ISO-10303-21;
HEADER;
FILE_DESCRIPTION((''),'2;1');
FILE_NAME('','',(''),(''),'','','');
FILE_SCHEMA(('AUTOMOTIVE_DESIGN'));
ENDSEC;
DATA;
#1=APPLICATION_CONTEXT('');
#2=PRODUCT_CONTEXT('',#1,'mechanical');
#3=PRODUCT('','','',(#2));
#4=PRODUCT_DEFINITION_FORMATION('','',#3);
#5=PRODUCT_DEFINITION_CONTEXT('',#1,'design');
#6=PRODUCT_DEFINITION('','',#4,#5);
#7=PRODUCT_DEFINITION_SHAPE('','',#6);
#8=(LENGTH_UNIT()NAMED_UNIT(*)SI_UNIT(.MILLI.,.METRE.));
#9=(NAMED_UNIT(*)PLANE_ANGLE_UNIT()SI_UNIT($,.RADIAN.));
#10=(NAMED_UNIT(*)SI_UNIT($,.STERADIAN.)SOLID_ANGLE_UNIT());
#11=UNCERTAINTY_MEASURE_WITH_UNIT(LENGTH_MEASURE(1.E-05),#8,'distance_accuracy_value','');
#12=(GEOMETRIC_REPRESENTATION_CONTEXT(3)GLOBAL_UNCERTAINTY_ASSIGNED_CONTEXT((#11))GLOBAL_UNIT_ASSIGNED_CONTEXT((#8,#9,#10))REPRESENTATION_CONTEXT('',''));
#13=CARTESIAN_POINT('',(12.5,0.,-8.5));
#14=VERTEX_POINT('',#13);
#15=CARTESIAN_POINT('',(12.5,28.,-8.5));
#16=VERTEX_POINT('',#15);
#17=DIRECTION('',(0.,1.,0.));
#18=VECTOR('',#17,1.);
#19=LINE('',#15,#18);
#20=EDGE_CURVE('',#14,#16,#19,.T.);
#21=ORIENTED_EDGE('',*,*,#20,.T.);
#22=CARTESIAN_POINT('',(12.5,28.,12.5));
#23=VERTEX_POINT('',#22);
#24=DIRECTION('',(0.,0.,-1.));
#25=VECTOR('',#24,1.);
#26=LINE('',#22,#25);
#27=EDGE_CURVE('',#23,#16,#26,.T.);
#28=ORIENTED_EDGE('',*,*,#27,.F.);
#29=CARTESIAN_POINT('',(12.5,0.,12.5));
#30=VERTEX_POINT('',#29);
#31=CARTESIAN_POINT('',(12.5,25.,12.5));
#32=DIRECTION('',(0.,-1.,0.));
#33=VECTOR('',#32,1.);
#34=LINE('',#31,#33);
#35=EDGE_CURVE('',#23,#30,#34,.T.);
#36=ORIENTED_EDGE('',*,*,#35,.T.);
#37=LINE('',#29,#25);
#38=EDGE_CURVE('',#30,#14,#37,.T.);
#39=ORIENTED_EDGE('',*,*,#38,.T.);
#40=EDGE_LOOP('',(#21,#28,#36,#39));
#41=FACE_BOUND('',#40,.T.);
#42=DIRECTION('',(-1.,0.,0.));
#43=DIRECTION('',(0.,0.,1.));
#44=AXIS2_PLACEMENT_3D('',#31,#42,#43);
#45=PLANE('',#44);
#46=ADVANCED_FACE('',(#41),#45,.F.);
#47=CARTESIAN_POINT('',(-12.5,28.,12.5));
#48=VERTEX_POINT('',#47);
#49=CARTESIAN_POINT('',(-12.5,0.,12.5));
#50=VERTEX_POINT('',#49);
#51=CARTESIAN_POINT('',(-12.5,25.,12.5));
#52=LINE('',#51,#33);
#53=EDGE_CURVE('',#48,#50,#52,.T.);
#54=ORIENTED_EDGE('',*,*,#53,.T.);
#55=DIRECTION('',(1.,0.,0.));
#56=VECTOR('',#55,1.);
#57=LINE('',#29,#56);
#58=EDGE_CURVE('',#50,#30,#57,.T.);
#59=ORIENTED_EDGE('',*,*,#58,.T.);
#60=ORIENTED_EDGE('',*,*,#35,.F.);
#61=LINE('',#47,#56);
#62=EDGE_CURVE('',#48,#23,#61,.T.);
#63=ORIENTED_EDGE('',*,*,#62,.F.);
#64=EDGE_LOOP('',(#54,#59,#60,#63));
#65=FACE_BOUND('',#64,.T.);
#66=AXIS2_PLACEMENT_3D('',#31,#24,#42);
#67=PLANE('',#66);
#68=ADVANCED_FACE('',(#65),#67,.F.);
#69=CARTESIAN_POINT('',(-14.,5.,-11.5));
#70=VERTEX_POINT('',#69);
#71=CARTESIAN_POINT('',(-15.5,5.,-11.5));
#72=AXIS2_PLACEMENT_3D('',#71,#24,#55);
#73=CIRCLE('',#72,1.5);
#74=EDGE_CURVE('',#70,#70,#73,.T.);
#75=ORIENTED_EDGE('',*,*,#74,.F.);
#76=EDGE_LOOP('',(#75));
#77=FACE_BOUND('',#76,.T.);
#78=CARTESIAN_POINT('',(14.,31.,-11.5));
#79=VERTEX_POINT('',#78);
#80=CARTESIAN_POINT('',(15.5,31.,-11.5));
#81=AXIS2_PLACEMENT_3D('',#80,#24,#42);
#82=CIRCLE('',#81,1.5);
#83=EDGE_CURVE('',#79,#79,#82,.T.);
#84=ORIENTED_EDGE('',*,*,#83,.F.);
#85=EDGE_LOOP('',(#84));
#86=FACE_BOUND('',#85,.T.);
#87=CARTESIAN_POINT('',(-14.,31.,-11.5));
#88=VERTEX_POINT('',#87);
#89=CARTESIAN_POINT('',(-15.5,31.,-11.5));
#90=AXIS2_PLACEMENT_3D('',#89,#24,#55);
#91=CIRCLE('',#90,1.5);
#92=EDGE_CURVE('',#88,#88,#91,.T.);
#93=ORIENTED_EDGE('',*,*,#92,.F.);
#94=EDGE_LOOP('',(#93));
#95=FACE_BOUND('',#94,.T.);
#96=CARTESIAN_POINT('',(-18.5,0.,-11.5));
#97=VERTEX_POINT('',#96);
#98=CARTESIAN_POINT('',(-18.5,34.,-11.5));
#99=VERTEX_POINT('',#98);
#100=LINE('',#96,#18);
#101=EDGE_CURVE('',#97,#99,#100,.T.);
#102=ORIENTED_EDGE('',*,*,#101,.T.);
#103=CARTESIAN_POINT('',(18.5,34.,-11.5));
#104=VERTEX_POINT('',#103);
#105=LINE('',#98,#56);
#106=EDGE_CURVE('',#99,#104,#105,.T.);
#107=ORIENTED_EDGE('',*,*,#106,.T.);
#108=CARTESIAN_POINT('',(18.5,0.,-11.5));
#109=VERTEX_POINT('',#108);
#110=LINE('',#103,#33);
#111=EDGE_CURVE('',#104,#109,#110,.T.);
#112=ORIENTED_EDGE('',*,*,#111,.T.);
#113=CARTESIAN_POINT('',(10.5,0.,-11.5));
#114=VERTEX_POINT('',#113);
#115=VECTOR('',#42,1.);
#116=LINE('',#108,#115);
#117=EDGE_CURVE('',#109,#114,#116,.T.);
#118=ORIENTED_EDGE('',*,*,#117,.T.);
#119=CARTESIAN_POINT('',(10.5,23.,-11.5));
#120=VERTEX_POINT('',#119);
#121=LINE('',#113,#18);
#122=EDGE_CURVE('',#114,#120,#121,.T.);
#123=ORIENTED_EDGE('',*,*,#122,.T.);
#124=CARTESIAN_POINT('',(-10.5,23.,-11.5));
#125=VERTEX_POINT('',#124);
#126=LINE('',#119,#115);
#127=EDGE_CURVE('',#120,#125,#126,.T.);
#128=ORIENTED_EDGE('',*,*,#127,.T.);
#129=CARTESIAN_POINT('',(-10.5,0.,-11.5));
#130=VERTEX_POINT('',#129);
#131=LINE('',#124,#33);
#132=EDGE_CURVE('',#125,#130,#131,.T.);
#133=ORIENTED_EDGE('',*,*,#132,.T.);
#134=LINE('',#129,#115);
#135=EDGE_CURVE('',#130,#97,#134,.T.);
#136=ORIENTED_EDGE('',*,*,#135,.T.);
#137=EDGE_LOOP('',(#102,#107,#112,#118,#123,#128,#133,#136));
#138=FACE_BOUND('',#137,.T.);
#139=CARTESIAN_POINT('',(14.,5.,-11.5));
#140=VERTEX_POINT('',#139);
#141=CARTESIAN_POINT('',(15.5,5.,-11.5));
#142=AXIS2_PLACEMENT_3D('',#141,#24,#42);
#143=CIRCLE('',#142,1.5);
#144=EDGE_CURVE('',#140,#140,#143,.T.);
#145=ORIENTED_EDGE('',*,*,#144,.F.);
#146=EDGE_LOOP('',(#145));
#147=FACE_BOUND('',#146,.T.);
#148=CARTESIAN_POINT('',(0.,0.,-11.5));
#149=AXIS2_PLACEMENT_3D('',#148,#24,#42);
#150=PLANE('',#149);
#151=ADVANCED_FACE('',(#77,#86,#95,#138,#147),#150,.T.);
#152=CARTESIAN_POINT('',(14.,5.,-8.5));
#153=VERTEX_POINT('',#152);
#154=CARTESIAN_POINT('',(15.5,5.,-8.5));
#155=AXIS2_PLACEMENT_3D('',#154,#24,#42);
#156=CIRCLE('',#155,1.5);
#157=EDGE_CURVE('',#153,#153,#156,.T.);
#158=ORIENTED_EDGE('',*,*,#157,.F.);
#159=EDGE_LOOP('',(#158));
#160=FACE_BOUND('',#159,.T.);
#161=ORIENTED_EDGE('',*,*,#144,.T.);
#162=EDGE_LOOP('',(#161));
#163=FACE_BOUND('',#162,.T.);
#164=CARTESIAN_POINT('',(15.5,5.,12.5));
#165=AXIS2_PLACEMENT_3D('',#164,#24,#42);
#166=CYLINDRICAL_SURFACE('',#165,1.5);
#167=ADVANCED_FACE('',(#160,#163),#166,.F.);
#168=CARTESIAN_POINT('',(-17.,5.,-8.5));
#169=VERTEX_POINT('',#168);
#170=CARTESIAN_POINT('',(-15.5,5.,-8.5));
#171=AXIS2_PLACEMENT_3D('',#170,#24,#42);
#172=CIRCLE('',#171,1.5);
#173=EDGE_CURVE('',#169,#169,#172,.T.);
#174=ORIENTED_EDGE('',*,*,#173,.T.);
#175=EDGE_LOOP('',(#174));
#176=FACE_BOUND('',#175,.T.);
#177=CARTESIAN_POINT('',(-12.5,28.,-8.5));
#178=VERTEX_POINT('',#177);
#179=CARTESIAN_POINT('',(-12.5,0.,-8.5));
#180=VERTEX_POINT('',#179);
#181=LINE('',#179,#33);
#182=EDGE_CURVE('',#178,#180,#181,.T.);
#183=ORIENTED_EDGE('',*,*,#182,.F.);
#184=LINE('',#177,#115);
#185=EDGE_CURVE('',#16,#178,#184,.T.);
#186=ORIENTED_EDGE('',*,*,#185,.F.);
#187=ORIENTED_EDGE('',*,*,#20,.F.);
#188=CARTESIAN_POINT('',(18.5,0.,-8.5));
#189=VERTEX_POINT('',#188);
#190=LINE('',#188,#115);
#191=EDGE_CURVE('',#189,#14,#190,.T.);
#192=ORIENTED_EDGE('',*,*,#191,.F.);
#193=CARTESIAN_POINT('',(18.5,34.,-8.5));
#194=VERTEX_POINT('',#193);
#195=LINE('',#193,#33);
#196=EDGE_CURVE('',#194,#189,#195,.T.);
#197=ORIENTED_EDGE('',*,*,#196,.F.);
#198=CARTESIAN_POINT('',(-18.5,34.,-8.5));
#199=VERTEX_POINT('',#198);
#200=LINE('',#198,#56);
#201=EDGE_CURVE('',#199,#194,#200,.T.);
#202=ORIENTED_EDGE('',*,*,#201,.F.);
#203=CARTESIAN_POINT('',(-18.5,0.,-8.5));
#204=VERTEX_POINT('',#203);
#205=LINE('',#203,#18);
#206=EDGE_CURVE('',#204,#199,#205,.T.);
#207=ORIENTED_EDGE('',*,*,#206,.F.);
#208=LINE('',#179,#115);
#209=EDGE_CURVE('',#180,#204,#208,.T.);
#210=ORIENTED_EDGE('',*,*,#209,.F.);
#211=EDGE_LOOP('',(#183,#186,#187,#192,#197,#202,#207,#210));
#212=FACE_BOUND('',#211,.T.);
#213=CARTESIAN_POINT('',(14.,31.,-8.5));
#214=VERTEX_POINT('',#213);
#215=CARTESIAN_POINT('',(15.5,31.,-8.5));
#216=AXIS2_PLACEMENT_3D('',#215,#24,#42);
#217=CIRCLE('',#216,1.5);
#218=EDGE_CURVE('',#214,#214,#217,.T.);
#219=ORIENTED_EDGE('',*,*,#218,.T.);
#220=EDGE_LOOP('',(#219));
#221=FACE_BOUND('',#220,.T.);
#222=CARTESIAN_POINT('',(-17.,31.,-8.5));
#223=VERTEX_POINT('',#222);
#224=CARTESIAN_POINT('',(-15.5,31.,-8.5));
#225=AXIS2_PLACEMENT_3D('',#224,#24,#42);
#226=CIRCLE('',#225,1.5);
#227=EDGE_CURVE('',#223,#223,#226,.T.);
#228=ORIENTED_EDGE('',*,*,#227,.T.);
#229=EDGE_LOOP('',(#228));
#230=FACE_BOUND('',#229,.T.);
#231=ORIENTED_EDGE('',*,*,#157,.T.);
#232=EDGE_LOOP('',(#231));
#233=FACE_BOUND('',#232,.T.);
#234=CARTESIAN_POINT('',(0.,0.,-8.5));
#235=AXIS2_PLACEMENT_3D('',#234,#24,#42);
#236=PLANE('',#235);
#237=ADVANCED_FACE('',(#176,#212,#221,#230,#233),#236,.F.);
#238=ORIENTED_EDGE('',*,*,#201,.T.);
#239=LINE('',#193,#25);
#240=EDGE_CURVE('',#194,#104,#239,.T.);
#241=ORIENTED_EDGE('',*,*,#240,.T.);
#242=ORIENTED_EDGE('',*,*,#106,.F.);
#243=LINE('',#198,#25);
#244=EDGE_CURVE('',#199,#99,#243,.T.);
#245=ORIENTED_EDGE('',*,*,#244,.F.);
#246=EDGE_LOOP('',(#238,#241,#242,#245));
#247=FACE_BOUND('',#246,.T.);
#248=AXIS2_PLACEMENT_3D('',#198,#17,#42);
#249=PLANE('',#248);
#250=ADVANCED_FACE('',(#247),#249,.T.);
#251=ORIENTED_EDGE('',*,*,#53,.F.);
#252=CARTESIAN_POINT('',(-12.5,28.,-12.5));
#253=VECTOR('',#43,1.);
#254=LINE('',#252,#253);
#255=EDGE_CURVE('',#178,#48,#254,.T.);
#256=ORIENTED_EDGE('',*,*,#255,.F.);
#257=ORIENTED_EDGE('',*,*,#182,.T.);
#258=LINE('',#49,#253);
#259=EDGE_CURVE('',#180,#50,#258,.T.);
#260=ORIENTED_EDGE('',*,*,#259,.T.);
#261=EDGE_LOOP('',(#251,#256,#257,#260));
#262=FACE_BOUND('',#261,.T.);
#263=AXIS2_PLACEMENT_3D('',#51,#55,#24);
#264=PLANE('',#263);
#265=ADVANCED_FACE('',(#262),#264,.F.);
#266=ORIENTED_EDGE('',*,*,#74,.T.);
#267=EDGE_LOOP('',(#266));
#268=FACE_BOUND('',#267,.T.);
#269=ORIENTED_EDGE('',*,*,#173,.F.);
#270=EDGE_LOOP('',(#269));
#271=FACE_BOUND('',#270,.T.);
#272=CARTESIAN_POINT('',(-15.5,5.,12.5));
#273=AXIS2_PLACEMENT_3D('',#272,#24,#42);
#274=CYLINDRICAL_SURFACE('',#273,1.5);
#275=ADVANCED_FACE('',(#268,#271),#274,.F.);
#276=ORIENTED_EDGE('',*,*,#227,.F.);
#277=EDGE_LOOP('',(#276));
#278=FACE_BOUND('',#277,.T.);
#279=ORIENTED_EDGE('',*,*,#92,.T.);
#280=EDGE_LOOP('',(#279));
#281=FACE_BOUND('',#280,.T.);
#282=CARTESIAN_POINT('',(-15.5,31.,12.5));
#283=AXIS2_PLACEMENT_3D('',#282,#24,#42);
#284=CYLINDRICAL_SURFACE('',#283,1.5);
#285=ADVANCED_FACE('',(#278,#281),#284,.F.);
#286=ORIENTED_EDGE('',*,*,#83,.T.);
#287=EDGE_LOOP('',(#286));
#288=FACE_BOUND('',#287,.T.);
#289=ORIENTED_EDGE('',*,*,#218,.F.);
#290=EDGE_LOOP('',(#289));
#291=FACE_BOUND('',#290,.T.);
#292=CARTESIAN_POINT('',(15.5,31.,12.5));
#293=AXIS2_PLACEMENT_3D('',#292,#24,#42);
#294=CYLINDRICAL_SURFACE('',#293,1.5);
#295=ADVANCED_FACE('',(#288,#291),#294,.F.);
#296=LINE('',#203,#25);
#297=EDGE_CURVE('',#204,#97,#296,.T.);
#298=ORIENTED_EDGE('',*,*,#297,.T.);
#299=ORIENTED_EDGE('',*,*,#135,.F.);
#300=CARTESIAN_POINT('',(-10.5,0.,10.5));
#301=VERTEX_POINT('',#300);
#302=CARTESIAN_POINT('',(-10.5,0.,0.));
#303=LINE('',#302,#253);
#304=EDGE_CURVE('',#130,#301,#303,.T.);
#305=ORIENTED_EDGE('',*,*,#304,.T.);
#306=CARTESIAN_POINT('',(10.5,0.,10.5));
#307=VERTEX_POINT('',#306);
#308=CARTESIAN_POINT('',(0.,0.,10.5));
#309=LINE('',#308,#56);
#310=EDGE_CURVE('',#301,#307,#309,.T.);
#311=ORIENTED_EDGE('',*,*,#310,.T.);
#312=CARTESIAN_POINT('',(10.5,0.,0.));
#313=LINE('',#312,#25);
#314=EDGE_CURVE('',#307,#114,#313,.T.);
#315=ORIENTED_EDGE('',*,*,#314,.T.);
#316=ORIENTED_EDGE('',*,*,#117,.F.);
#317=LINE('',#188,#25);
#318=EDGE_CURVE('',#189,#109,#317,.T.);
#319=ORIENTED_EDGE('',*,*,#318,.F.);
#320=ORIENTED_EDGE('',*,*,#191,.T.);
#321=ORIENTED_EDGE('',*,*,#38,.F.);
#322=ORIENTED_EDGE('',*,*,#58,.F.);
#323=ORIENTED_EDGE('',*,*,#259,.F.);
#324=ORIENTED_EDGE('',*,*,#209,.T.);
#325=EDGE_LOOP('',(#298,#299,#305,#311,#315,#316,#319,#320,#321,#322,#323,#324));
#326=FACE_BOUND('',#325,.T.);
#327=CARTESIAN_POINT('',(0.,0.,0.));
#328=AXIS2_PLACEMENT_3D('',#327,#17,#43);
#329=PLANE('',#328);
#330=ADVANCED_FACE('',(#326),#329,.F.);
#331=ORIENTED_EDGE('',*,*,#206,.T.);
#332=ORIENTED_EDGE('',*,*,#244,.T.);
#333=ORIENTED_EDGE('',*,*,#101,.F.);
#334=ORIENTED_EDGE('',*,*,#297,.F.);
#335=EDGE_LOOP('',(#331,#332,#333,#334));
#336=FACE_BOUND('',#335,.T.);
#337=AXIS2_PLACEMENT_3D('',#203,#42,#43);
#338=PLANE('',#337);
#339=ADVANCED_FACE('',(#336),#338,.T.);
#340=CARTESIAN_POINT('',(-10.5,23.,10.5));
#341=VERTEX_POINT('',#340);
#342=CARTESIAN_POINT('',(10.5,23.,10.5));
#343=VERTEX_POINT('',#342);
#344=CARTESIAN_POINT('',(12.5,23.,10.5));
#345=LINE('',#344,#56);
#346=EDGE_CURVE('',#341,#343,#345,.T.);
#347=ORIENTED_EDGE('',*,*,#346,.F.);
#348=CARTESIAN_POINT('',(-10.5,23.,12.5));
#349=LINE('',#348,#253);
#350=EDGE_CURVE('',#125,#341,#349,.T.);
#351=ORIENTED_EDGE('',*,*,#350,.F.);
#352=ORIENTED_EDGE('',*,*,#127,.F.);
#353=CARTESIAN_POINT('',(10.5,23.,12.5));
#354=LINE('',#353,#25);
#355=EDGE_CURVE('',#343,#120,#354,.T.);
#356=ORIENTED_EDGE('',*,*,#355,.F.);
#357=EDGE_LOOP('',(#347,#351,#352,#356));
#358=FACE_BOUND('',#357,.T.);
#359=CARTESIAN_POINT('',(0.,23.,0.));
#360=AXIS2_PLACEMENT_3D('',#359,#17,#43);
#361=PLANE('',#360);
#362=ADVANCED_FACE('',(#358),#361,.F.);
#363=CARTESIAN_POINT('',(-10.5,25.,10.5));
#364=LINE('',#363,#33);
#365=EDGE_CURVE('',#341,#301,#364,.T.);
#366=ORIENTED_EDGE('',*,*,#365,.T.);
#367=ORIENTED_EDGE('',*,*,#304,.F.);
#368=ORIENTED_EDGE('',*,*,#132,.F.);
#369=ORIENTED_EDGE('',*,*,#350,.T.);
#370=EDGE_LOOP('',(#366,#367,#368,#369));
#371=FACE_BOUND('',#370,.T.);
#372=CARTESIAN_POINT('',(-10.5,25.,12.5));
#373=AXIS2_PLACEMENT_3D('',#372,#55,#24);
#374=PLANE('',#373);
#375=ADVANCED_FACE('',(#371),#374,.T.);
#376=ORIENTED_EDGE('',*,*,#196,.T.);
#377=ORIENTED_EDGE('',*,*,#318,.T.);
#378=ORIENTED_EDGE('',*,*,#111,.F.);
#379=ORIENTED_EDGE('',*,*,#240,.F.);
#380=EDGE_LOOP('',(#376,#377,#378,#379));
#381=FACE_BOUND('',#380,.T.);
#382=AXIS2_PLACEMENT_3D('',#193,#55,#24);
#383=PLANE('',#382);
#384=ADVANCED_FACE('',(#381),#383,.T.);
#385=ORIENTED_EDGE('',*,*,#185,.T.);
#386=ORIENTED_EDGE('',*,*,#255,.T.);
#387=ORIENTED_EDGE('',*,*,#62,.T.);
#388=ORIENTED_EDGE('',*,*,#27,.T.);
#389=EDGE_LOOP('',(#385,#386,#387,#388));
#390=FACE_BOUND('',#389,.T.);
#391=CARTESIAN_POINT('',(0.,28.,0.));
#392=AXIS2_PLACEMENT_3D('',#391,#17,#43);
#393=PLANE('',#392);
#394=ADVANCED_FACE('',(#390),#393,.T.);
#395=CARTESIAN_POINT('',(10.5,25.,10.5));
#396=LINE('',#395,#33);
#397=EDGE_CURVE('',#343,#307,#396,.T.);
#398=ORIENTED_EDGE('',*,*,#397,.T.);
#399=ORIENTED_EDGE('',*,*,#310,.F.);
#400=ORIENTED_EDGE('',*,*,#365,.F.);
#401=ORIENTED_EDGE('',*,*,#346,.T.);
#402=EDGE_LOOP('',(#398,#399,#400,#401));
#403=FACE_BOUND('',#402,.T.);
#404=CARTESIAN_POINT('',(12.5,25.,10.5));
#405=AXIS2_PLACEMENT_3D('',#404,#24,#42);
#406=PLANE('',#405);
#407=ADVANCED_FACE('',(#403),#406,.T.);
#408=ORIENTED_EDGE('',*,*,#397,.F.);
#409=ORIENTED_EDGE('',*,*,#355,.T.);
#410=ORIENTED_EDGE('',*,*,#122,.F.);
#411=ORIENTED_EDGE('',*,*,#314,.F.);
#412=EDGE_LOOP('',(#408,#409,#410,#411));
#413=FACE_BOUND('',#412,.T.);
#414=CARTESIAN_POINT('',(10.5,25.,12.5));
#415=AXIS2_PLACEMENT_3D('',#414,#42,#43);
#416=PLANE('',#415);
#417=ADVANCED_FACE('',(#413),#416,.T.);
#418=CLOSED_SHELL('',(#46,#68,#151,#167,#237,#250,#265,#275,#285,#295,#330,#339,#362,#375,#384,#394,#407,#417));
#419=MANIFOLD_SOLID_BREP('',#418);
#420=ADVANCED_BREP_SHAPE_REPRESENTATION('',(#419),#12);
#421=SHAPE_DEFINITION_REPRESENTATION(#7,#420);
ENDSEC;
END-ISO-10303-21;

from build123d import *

# Parameters (mm, degrees)
SKETCH_1_W          = 25
SKETCH_1_H          = 25
EXTRUDE_1_DEPTH     = 25
SHELL_2_T           = -2
SKETCH_2_W          = 21
SKETCH_2_H          = 23
CUT_EXTRUDE_1_DEPTH = 25
SKETCH_3_W          = 25
SKETCH_3_H          = 25
EXTRUDE_2_DEPTH     = 3
EXTRUDE_3_DEPTH     = 4
CUT_EXTRUDE_2_DEPTH = 1
SKETCH_7_R          = 1.5
CUT_EXTRUDE_3_DEPTH = 46.543934832


with BuildPart() as part:
    # 草图1 → 凸台-拉伸1 (new body)
    with BuildSketch(Plane(origin=(0, 0, 0), x_dir=(1, 0, 0), z_dir=(0, 1, 0))):
        Rectangle(SKETCH_1_W, SKETCH_1_H)
    extrude(amount=EXTRUDE_1_DEPTH)

    # 抽壳2
    shell_2_openings = [part.faces().sort_by_distance(p)[0] for p in [
        (0, 12.5, -12.5),
    ]]
    offset(amount=SHELL_2_T, openings=shell_2_openings, kind=Kind.INTERSECTION)

    # 草图2 → 切除-拉伸1 (cut)
    with BuildSketch(Plane(origin=(0, 2, 0), x_dir=(1, 0, 0), z_dir=(0, 1, 0))):
        with Locations((0, 1)):
            Rectangle(SKETCH_2_W, SKETCH_2_H)
    extrude(amount=-CUT_EXTRUDE_1_DEPTH, mode=Mode.SUBTRACT)

    # 草图3 → 凸台-拉伸2 (add)
    with BuildSketch(Plane(origin=(0, 25, 0), x_dir=(1, 0, 0), z_dir=(0, 1, 0))):
        Rectangle(SKETCH_3_W, SKETCH_3_H)
    extrude(amount=EXTRUDE_2_DEPTH)

    # 草图5 → 凸台-拉伸3 (add)
    with BuildSketch(Plane(origin=(0, 0, -12.5), x_dir=(-1, 0, 0), z_dir=(0, 0, -1))):
        Polygon((18.5, 0), (18.5, 34), (-18.5, 34), (-18.5, 0), (-12.5, 0), (-12.5, 28), (12.5, 28), (12.5, 0), align=None)
    extrude(amount=-EXTRUDE_3_DEPTH)

    # 草图6 → 切除-拉伸2 (cut)
    with BuildSketch(Plane(origin=(0, 0, -12.5), x_dir=(-1, 0, 0), z_dir=(0, 0, -1))):
        Polygon((10.5, 0), (18.5, 0), (18.5, 34), (-18.5, 34), (-18.5, 0), (-10.5, 0), (-10.5, 23), (10.5, 23), align=None)
    extrude(amount=-CUT_EXTRUDE_2_DEPTH, mode=Mode.SUBTRACT)

    # 草图7 → 切除-拉伸3 (cut, through all)
    with BuildSketch(Plane(origin=(0, 0, -11.5), x_dir=(-1, 0, 0), z_dir=(0, 0, -1))):
        with Locations((-15.5, 5)):
            Circle(SKETCH_7_R)
        with Locations((-15.5, 31)):
            Circle(SKETCH_7_R)
        with Locations((15.5, 5)):
            Circle(SKETCH_7_R)
        with Locations((15.5, 31)):
            Circle(SKETCH_7_R)
    extrude(amount=-CUT_EXTRUDE_3_DEPTH, mode=Mode.SUBTRACT)


solid = part.part
